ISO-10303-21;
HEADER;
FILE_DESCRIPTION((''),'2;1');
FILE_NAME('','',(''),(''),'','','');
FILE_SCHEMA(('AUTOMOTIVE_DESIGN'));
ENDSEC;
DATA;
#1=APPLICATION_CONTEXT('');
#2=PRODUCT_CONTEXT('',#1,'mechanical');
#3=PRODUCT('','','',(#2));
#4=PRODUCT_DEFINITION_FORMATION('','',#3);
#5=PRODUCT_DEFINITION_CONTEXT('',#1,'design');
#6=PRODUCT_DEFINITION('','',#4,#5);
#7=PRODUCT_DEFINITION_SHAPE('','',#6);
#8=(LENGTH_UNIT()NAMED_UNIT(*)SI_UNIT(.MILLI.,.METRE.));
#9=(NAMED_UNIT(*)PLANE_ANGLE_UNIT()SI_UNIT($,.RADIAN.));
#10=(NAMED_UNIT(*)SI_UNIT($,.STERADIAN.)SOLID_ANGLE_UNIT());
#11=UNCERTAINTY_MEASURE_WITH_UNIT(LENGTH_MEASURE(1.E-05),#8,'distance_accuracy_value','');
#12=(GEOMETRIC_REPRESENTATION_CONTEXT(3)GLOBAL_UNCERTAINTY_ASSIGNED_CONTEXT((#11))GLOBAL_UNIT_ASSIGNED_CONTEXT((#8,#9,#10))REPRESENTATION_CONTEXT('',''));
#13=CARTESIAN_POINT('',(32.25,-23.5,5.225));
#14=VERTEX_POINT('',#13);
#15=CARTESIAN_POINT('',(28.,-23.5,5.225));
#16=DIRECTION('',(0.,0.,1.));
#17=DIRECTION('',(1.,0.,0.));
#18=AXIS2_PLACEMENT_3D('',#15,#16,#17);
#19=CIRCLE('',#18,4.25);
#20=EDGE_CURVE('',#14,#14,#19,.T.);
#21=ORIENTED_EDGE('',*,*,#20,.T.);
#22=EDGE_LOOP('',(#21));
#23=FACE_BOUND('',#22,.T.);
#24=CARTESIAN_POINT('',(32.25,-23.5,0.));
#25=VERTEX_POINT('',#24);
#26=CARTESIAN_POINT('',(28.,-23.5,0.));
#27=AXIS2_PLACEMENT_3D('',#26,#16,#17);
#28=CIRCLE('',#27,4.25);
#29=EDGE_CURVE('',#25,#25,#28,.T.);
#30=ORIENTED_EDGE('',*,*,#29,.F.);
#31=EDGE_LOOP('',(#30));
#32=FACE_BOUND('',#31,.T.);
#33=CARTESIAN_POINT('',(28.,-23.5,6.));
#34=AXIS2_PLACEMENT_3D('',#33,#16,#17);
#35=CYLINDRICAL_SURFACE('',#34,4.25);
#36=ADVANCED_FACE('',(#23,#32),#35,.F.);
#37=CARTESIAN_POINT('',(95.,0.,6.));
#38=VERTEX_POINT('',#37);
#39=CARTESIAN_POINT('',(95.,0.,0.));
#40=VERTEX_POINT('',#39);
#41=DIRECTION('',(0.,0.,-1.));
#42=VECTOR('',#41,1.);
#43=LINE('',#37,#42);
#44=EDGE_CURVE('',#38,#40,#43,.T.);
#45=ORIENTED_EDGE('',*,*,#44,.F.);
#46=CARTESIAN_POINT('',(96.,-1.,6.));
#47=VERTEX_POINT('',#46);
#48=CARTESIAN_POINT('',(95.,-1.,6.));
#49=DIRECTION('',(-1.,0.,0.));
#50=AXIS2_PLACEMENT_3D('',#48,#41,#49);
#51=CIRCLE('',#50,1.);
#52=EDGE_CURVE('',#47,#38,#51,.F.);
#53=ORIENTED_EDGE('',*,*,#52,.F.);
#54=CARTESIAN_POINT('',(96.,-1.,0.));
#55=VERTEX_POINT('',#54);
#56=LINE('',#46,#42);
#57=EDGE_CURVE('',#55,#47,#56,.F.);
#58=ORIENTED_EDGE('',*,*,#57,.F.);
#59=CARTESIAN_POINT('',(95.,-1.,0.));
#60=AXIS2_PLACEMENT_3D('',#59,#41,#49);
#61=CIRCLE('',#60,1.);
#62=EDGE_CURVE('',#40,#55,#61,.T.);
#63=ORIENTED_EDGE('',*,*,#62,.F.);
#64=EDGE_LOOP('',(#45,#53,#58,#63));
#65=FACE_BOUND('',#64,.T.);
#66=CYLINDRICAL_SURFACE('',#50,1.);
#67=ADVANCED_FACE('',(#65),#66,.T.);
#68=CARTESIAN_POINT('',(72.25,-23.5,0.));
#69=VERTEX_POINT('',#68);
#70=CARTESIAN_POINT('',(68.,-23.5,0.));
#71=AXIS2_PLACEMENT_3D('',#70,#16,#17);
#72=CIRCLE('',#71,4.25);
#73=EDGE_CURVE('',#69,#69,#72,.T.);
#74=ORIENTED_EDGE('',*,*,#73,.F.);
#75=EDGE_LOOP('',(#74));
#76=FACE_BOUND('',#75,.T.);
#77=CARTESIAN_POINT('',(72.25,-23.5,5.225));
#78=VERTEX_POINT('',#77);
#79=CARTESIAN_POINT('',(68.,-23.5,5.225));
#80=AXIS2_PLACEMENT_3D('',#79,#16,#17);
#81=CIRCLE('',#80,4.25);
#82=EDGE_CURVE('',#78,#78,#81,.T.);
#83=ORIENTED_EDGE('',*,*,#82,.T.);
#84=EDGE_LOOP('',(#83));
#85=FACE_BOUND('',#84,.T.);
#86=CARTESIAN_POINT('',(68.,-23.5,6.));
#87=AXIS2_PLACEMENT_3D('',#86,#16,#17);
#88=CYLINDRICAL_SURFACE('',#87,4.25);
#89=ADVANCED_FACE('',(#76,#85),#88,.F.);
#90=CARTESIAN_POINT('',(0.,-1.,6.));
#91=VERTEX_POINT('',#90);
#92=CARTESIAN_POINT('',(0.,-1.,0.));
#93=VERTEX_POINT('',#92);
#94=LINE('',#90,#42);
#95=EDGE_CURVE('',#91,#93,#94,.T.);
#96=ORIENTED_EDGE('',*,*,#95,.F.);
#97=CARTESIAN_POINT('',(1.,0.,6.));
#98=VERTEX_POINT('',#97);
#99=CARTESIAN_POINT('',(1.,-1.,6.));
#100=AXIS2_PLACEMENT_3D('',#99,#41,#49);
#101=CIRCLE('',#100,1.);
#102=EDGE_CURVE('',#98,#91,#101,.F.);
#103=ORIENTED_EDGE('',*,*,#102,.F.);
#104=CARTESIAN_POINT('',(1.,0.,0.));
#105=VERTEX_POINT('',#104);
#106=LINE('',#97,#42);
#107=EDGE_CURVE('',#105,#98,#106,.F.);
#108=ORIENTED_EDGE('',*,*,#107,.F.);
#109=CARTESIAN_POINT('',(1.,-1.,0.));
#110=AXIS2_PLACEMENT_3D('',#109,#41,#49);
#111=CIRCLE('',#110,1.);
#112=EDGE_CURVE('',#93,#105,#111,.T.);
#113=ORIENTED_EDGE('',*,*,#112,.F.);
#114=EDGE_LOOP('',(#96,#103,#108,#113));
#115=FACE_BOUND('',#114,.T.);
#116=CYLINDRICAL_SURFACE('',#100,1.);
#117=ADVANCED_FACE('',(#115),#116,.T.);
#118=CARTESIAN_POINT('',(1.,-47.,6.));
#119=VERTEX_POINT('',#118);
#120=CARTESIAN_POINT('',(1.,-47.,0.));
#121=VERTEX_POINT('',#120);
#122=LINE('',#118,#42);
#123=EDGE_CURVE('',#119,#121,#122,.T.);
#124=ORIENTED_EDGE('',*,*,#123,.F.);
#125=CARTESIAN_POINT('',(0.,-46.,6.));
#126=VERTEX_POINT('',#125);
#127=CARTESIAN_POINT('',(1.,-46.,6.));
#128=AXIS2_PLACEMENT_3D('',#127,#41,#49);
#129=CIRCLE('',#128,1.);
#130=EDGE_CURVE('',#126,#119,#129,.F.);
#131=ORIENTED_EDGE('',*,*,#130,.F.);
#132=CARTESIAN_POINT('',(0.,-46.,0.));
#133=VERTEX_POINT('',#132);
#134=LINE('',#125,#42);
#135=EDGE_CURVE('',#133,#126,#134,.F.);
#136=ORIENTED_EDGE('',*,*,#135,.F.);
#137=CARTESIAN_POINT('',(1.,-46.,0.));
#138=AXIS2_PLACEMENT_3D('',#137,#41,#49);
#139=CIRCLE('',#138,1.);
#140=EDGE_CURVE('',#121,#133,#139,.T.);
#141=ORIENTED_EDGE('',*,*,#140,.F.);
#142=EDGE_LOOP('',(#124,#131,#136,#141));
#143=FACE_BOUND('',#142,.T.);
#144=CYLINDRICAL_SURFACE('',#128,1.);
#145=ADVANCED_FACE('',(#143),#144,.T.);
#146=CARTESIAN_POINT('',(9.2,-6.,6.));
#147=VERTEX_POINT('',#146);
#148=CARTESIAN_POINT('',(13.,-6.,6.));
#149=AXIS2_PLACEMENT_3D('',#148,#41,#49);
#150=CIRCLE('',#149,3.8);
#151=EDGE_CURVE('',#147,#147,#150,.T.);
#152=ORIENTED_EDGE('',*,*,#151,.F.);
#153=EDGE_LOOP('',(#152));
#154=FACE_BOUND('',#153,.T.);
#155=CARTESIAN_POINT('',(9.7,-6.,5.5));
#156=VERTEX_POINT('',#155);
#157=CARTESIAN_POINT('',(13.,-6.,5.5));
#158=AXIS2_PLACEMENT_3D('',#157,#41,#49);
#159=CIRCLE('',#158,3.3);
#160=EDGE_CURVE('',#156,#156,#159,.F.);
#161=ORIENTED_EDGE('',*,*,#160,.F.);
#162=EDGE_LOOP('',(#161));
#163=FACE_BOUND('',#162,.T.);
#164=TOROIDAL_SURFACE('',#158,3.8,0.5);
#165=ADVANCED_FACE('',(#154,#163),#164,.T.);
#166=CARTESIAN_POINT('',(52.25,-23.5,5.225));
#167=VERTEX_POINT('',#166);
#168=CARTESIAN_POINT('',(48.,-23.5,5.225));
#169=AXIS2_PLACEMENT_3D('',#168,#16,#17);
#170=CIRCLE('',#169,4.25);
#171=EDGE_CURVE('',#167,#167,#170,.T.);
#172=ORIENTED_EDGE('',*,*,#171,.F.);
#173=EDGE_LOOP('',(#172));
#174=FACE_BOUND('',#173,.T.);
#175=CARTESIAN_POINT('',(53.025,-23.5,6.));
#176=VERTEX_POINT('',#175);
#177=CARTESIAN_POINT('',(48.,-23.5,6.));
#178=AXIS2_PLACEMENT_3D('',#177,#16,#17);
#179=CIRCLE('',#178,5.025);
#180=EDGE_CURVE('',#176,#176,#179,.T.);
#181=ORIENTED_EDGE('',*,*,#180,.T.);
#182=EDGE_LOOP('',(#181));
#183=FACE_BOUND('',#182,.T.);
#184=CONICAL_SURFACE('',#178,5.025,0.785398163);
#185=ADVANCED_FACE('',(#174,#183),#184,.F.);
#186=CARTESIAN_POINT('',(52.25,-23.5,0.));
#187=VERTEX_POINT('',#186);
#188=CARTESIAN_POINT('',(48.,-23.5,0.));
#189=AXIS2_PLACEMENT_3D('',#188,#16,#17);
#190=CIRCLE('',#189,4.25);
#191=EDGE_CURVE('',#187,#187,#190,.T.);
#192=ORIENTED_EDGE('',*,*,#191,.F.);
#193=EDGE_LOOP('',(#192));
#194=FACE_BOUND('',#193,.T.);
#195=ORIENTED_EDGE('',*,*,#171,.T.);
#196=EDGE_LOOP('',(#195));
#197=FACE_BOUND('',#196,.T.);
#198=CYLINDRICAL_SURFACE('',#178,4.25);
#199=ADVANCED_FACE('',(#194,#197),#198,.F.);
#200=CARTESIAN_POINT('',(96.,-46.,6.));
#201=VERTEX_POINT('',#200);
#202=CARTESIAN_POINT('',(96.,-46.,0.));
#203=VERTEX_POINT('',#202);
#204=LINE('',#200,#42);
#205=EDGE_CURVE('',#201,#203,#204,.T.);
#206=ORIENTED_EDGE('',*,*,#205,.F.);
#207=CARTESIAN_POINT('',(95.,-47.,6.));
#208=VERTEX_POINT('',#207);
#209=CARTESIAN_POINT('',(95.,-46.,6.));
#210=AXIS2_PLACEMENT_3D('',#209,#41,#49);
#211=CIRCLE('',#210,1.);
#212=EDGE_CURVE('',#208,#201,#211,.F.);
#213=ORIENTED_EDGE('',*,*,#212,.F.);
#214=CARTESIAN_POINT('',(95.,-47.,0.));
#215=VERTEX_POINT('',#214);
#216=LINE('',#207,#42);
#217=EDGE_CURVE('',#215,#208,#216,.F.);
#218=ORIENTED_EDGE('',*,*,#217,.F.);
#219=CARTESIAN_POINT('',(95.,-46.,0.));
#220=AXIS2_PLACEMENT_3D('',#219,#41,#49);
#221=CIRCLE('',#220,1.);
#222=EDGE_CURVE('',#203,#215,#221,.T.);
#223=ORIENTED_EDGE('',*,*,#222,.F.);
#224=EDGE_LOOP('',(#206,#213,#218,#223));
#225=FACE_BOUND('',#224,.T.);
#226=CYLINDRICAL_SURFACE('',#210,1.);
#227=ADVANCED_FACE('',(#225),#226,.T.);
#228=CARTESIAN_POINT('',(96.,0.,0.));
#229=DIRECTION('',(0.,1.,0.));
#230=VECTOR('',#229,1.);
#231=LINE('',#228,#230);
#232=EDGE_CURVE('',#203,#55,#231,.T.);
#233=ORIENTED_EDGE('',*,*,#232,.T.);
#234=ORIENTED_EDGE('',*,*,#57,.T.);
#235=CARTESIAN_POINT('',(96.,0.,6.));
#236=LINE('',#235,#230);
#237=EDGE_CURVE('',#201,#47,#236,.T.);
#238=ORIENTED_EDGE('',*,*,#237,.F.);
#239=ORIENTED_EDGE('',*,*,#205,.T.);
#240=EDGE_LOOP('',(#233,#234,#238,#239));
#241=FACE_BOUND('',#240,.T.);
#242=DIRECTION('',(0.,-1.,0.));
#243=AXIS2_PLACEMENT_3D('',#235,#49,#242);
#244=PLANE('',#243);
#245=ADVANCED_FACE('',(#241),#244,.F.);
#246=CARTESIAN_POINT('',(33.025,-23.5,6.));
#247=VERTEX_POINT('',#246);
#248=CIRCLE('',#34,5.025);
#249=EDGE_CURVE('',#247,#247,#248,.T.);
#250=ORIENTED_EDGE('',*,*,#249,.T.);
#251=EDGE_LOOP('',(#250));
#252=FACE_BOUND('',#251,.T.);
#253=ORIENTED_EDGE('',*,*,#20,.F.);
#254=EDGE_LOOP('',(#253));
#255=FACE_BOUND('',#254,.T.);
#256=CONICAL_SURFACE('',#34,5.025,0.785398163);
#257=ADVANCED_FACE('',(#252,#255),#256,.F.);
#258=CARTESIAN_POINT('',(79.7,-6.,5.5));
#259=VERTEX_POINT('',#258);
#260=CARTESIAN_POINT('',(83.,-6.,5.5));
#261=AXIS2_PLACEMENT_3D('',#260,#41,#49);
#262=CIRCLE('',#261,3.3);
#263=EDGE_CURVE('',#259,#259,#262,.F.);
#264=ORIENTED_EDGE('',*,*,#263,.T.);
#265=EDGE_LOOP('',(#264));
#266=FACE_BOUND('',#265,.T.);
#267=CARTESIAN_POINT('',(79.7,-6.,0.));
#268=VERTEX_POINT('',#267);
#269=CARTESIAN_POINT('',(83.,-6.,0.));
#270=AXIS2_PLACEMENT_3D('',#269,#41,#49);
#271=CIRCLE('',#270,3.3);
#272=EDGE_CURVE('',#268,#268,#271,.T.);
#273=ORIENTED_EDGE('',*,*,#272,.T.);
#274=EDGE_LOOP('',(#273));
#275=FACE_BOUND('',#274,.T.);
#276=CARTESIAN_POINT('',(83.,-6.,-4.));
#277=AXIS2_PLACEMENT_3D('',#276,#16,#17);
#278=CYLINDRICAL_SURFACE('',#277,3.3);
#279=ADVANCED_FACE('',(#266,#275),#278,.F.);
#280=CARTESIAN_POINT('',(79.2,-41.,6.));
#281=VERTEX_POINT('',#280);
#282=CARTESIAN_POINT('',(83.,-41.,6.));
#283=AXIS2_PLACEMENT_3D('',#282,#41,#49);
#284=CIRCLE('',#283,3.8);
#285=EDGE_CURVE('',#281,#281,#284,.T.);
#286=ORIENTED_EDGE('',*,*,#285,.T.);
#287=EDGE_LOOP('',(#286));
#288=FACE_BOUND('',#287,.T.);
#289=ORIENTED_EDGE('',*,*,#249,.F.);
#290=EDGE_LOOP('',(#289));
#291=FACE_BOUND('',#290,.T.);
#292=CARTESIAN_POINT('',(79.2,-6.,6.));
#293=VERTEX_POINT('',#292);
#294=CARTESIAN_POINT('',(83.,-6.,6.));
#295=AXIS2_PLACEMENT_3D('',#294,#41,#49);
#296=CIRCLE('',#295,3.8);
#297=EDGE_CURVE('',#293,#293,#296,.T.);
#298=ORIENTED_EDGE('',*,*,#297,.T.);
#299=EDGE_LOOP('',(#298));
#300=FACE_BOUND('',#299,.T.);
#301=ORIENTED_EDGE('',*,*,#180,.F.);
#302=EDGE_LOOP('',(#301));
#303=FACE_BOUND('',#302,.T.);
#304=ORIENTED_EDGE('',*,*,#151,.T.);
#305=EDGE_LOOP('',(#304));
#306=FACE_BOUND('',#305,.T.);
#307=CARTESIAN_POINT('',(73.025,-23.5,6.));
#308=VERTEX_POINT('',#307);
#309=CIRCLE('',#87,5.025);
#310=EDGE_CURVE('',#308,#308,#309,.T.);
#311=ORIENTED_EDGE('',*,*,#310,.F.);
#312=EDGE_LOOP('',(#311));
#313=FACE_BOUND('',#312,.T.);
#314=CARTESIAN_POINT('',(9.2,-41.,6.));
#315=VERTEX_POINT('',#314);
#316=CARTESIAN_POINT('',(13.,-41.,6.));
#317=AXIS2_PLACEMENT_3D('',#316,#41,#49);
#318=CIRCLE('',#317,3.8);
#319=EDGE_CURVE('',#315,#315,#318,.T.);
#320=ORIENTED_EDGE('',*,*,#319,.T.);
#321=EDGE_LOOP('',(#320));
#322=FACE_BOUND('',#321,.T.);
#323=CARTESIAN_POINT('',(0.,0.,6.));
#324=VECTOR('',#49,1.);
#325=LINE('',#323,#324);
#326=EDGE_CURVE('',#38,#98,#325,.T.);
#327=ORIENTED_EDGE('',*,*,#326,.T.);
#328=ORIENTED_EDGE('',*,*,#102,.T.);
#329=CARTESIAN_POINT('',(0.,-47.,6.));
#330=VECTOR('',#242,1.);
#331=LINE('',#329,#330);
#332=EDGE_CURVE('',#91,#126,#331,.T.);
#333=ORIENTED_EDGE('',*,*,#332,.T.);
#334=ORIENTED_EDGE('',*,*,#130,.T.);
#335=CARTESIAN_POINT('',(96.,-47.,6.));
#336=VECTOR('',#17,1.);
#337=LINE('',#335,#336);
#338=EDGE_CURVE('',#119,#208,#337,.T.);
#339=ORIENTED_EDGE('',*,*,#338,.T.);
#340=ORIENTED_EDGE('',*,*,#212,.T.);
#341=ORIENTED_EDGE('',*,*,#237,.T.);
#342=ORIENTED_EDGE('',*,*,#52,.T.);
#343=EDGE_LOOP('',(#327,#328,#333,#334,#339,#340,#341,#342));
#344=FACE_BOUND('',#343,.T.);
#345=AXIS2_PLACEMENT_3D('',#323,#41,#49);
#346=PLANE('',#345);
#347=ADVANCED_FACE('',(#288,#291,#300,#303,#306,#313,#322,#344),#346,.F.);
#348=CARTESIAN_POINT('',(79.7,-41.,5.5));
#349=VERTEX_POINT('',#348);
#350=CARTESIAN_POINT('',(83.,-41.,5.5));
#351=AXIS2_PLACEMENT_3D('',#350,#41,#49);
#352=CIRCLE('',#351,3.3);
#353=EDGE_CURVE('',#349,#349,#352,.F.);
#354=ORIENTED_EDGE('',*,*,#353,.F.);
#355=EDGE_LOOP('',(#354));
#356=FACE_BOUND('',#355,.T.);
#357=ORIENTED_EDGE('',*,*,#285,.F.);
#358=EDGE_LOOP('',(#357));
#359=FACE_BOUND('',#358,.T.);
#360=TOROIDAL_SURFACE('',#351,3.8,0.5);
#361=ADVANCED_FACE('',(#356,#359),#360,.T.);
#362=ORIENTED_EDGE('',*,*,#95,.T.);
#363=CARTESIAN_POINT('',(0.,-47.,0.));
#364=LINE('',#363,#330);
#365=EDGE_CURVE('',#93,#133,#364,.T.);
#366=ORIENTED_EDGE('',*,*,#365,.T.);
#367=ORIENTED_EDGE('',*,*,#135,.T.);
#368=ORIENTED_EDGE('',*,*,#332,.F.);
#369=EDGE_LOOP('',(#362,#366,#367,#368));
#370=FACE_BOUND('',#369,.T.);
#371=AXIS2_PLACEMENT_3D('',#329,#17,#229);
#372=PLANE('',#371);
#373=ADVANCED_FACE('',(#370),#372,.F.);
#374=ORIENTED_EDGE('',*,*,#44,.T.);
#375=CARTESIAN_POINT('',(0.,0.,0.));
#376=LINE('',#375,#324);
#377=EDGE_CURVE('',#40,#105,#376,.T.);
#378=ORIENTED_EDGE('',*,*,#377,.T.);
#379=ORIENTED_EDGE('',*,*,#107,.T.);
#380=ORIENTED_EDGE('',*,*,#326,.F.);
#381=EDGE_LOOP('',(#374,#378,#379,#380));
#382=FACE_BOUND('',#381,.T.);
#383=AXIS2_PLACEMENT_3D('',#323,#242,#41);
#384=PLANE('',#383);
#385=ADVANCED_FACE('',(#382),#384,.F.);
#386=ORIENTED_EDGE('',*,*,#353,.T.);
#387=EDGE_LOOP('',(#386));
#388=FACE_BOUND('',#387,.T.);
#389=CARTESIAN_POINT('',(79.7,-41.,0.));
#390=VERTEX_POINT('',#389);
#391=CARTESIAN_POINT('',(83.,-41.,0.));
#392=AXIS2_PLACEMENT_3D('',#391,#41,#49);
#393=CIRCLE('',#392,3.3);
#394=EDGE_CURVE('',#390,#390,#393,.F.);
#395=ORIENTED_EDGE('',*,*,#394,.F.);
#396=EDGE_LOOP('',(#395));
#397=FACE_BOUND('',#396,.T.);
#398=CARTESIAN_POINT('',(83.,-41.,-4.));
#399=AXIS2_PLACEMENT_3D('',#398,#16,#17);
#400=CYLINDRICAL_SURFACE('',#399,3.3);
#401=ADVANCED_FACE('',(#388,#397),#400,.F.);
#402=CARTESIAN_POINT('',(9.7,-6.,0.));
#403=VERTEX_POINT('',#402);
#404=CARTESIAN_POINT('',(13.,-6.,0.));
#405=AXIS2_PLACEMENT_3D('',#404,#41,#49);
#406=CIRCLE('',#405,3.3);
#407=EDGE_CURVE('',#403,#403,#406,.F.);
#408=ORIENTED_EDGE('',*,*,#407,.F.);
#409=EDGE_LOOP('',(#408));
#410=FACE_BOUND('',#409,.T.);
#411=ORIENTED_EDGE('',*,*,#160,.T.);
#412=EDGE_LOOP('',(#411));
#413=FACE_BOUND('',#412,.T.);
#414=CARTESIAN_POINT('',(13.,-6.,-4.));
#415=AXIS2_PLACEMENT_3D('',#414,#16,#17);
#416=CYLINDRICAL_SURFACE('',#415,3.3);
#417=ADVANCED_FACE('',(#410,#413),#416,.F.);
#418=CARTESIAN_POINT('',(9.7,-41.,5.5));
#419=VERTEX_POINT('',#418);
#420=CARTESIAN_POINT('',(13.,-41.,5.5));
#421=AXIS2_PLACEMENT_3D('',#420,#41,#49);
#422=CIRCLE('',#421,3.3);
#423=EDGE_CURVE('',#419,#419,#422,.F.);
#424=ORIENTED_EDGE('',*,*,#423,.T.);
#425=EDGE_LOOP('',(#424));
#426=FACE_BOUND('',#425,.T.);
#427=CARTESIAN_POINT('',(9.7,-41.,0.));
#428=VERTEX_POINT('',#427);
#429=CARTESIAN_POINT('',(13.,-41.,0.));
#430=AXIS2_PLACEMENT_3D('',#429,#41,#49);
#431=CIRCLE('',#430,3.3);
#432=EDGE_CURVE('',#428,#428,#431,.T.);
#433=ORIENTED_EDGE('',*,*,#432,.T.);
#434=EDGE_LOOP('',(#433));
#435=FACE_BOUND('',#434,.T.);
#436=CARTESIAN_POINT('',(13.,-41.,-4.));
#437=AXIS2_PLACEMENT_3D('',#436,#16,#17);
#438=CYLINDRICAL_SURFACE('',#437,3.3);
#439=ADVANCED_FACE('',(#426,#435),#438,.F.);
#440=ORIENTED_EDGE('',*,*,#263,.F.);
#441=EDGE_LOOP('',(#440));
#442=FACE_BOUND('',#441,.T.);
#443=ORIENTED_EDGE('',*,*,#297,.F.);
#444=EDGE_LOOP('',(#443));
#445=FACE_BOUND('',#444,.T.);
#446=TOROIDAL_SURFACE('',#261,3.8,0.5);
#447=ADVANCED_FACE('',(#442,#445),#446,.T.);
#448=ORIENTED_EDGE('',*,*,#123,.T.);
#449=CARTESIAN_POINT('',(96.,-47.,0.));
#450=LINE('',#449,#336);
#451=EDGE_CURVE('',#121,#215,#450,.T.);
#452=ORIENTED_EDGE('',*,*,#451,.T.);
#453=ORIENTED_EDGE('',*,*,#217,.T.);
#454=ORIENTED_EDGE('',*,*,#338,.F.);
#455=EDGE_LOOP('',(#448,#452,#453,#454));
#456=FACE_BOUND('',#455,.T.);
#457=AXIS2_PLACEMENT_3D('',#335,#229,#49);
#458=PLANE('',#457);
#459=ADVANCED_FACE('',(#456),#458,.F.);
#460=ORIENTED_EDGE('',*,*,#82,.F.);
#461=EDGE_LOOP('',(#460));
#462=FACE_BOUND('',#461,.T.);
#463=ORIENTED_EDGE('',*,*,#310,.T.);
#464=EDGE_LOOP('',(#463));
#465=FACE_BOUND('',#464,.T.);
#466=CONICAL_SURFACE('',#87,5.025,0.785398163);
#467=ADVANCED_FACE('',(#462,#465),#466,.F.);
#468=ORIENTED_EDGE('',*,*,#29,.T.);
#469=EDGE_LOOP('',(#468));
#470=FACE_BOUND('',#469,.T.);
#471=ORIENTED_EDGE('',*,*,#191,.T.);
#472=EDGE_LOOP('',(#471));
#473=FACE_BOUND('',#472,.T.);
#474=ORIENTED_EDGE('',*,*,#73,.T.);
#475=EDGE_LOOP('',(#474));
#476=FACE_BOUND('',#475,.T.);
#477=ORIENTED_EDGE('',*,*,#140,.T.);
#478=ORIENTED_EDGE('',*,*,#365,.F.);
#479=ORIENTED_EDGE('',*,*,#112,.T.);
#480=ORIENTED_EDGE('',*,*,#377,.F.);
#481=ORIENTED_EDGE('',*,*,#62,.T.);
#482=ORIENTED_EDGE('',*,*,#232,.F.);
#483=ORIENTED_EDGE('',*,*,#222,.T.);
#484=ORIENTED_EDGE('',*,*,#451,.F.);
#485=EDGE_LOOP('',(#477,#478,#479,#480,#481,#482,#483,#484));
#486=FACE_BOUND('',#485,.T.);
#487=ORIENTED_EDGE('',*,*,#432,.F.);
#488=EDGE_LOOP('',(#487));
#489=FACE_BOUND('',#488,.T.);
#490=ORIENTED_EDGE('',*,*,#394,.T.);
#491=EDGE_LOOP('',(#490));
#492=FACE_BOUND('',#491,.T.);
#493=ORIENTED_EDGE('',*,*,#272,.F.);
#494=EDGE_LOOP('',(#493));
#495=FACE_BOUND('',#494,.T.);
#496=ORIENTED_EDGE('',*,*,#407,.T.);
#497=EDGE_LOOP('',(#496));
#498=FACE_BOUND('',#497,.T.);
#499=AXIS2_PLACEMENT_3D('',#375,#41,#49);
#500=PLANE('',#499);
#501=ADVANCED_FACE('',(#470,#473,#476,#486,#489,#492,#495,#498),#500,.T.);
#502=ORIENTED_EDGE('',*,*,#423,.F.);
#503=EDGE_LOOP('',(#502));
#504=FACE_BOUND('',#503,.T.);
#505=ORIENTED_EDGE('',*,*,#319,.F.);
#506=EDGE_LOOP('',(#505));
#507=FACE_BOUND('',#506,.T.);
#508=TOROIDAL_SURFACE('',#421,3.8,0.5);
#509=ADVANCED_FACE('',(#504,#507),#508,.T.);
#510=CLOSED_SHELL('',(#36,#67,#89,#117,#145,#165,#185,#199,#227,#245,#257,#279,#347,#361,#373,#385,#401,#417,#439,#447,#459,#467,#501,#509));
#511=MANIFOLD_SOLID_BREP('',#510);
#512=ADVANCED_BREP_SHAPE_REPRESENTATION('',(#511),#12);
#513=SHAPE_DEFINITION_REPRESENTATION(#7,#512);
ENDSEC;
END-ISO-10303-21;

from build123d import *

# Parameters (mm, degrees)
SKETCH_1_W                    = 96
SKETCH_1_H                    = 47
EXTRUDE_1_DEPTH               = 6
FILLET_1_R                    = 1
HOLE_WIZARD_M10_1_D           = 8.5
HOLE_WIZARD_M10_1_CSINK_D     = 10.05
HOLE_WIZARD_M10_1_CSINK_ANGLE = 90
SKETCH_2_R                    = 3.3
CUT_EXTRUDE_1_DEPTH           = 10
FILLET_2_R                    = 0.5


with BuildPart() as part:
    # 草图1 → 凸台-拉伸1 (new body)
    with BuildSketch(Plane.XY):
        with Locations((48, -23.5)):
            Rectangle(SKETCH_1_W, SKETCH_1_H)
    extrude(amount=EXTRUDE_1_DEPTH)

    # 圆角1
    fillet_1_edges = [part.edges().sort_by_distance(p)[0] for p in [
        (0, 0, 3),
        (96, 0, 3),
        (96, -47, 3),
        (0, -47, 3),
    ]]
    fillet(fillet_1_edges, radius=FILLET_1_R)

    # M10 螺纹孔1 (through all)
    with Locations(Plane.XY.offset(6)):
        with Locations((28, -23.5), (48, -23.5), (68, -23.5)):
            CounterSinkHole(HOLE_WIZARD_M10_1_D / 2, HOLE_WIZARD_M10_1_CSINK_D / 2, counter_sink_angle=HOLE_WIZARD_M10_1_CSINK_ANGLE)

    # 草图2 → 切除-拉伸1 (cut)
    with BuildSketch(Plane.XY.offset(6)):
        with Locations((83, -6)):
            Circle(SKETCH_2_R)
        with Locations((83, -41)):
            Circle(SKETCH_2_R)
        with Locations((13, -41)):
            Circle(SKETCH_2_R)
        with Locations(Location((13, -6, 0), (0, 0, 180))):
            Circle(SKETCH_2_R)
    extrude(amount=-CUT_EXTRUDE_1_DEPTH, mode=Mode.SUBTRACT)

    # 圆角2
    fillet_2_edges = [part.edges().sort_by_distance(p)[0] for p in [
        (16.3, -6, 6),
        (9.7, -41, 6),
        (79.7, -41, 6),
        (79.7, -6, 6),
    ]]
    fillet(fillet_2_edges, radius=FILLET_2_R)


solid = part.part
